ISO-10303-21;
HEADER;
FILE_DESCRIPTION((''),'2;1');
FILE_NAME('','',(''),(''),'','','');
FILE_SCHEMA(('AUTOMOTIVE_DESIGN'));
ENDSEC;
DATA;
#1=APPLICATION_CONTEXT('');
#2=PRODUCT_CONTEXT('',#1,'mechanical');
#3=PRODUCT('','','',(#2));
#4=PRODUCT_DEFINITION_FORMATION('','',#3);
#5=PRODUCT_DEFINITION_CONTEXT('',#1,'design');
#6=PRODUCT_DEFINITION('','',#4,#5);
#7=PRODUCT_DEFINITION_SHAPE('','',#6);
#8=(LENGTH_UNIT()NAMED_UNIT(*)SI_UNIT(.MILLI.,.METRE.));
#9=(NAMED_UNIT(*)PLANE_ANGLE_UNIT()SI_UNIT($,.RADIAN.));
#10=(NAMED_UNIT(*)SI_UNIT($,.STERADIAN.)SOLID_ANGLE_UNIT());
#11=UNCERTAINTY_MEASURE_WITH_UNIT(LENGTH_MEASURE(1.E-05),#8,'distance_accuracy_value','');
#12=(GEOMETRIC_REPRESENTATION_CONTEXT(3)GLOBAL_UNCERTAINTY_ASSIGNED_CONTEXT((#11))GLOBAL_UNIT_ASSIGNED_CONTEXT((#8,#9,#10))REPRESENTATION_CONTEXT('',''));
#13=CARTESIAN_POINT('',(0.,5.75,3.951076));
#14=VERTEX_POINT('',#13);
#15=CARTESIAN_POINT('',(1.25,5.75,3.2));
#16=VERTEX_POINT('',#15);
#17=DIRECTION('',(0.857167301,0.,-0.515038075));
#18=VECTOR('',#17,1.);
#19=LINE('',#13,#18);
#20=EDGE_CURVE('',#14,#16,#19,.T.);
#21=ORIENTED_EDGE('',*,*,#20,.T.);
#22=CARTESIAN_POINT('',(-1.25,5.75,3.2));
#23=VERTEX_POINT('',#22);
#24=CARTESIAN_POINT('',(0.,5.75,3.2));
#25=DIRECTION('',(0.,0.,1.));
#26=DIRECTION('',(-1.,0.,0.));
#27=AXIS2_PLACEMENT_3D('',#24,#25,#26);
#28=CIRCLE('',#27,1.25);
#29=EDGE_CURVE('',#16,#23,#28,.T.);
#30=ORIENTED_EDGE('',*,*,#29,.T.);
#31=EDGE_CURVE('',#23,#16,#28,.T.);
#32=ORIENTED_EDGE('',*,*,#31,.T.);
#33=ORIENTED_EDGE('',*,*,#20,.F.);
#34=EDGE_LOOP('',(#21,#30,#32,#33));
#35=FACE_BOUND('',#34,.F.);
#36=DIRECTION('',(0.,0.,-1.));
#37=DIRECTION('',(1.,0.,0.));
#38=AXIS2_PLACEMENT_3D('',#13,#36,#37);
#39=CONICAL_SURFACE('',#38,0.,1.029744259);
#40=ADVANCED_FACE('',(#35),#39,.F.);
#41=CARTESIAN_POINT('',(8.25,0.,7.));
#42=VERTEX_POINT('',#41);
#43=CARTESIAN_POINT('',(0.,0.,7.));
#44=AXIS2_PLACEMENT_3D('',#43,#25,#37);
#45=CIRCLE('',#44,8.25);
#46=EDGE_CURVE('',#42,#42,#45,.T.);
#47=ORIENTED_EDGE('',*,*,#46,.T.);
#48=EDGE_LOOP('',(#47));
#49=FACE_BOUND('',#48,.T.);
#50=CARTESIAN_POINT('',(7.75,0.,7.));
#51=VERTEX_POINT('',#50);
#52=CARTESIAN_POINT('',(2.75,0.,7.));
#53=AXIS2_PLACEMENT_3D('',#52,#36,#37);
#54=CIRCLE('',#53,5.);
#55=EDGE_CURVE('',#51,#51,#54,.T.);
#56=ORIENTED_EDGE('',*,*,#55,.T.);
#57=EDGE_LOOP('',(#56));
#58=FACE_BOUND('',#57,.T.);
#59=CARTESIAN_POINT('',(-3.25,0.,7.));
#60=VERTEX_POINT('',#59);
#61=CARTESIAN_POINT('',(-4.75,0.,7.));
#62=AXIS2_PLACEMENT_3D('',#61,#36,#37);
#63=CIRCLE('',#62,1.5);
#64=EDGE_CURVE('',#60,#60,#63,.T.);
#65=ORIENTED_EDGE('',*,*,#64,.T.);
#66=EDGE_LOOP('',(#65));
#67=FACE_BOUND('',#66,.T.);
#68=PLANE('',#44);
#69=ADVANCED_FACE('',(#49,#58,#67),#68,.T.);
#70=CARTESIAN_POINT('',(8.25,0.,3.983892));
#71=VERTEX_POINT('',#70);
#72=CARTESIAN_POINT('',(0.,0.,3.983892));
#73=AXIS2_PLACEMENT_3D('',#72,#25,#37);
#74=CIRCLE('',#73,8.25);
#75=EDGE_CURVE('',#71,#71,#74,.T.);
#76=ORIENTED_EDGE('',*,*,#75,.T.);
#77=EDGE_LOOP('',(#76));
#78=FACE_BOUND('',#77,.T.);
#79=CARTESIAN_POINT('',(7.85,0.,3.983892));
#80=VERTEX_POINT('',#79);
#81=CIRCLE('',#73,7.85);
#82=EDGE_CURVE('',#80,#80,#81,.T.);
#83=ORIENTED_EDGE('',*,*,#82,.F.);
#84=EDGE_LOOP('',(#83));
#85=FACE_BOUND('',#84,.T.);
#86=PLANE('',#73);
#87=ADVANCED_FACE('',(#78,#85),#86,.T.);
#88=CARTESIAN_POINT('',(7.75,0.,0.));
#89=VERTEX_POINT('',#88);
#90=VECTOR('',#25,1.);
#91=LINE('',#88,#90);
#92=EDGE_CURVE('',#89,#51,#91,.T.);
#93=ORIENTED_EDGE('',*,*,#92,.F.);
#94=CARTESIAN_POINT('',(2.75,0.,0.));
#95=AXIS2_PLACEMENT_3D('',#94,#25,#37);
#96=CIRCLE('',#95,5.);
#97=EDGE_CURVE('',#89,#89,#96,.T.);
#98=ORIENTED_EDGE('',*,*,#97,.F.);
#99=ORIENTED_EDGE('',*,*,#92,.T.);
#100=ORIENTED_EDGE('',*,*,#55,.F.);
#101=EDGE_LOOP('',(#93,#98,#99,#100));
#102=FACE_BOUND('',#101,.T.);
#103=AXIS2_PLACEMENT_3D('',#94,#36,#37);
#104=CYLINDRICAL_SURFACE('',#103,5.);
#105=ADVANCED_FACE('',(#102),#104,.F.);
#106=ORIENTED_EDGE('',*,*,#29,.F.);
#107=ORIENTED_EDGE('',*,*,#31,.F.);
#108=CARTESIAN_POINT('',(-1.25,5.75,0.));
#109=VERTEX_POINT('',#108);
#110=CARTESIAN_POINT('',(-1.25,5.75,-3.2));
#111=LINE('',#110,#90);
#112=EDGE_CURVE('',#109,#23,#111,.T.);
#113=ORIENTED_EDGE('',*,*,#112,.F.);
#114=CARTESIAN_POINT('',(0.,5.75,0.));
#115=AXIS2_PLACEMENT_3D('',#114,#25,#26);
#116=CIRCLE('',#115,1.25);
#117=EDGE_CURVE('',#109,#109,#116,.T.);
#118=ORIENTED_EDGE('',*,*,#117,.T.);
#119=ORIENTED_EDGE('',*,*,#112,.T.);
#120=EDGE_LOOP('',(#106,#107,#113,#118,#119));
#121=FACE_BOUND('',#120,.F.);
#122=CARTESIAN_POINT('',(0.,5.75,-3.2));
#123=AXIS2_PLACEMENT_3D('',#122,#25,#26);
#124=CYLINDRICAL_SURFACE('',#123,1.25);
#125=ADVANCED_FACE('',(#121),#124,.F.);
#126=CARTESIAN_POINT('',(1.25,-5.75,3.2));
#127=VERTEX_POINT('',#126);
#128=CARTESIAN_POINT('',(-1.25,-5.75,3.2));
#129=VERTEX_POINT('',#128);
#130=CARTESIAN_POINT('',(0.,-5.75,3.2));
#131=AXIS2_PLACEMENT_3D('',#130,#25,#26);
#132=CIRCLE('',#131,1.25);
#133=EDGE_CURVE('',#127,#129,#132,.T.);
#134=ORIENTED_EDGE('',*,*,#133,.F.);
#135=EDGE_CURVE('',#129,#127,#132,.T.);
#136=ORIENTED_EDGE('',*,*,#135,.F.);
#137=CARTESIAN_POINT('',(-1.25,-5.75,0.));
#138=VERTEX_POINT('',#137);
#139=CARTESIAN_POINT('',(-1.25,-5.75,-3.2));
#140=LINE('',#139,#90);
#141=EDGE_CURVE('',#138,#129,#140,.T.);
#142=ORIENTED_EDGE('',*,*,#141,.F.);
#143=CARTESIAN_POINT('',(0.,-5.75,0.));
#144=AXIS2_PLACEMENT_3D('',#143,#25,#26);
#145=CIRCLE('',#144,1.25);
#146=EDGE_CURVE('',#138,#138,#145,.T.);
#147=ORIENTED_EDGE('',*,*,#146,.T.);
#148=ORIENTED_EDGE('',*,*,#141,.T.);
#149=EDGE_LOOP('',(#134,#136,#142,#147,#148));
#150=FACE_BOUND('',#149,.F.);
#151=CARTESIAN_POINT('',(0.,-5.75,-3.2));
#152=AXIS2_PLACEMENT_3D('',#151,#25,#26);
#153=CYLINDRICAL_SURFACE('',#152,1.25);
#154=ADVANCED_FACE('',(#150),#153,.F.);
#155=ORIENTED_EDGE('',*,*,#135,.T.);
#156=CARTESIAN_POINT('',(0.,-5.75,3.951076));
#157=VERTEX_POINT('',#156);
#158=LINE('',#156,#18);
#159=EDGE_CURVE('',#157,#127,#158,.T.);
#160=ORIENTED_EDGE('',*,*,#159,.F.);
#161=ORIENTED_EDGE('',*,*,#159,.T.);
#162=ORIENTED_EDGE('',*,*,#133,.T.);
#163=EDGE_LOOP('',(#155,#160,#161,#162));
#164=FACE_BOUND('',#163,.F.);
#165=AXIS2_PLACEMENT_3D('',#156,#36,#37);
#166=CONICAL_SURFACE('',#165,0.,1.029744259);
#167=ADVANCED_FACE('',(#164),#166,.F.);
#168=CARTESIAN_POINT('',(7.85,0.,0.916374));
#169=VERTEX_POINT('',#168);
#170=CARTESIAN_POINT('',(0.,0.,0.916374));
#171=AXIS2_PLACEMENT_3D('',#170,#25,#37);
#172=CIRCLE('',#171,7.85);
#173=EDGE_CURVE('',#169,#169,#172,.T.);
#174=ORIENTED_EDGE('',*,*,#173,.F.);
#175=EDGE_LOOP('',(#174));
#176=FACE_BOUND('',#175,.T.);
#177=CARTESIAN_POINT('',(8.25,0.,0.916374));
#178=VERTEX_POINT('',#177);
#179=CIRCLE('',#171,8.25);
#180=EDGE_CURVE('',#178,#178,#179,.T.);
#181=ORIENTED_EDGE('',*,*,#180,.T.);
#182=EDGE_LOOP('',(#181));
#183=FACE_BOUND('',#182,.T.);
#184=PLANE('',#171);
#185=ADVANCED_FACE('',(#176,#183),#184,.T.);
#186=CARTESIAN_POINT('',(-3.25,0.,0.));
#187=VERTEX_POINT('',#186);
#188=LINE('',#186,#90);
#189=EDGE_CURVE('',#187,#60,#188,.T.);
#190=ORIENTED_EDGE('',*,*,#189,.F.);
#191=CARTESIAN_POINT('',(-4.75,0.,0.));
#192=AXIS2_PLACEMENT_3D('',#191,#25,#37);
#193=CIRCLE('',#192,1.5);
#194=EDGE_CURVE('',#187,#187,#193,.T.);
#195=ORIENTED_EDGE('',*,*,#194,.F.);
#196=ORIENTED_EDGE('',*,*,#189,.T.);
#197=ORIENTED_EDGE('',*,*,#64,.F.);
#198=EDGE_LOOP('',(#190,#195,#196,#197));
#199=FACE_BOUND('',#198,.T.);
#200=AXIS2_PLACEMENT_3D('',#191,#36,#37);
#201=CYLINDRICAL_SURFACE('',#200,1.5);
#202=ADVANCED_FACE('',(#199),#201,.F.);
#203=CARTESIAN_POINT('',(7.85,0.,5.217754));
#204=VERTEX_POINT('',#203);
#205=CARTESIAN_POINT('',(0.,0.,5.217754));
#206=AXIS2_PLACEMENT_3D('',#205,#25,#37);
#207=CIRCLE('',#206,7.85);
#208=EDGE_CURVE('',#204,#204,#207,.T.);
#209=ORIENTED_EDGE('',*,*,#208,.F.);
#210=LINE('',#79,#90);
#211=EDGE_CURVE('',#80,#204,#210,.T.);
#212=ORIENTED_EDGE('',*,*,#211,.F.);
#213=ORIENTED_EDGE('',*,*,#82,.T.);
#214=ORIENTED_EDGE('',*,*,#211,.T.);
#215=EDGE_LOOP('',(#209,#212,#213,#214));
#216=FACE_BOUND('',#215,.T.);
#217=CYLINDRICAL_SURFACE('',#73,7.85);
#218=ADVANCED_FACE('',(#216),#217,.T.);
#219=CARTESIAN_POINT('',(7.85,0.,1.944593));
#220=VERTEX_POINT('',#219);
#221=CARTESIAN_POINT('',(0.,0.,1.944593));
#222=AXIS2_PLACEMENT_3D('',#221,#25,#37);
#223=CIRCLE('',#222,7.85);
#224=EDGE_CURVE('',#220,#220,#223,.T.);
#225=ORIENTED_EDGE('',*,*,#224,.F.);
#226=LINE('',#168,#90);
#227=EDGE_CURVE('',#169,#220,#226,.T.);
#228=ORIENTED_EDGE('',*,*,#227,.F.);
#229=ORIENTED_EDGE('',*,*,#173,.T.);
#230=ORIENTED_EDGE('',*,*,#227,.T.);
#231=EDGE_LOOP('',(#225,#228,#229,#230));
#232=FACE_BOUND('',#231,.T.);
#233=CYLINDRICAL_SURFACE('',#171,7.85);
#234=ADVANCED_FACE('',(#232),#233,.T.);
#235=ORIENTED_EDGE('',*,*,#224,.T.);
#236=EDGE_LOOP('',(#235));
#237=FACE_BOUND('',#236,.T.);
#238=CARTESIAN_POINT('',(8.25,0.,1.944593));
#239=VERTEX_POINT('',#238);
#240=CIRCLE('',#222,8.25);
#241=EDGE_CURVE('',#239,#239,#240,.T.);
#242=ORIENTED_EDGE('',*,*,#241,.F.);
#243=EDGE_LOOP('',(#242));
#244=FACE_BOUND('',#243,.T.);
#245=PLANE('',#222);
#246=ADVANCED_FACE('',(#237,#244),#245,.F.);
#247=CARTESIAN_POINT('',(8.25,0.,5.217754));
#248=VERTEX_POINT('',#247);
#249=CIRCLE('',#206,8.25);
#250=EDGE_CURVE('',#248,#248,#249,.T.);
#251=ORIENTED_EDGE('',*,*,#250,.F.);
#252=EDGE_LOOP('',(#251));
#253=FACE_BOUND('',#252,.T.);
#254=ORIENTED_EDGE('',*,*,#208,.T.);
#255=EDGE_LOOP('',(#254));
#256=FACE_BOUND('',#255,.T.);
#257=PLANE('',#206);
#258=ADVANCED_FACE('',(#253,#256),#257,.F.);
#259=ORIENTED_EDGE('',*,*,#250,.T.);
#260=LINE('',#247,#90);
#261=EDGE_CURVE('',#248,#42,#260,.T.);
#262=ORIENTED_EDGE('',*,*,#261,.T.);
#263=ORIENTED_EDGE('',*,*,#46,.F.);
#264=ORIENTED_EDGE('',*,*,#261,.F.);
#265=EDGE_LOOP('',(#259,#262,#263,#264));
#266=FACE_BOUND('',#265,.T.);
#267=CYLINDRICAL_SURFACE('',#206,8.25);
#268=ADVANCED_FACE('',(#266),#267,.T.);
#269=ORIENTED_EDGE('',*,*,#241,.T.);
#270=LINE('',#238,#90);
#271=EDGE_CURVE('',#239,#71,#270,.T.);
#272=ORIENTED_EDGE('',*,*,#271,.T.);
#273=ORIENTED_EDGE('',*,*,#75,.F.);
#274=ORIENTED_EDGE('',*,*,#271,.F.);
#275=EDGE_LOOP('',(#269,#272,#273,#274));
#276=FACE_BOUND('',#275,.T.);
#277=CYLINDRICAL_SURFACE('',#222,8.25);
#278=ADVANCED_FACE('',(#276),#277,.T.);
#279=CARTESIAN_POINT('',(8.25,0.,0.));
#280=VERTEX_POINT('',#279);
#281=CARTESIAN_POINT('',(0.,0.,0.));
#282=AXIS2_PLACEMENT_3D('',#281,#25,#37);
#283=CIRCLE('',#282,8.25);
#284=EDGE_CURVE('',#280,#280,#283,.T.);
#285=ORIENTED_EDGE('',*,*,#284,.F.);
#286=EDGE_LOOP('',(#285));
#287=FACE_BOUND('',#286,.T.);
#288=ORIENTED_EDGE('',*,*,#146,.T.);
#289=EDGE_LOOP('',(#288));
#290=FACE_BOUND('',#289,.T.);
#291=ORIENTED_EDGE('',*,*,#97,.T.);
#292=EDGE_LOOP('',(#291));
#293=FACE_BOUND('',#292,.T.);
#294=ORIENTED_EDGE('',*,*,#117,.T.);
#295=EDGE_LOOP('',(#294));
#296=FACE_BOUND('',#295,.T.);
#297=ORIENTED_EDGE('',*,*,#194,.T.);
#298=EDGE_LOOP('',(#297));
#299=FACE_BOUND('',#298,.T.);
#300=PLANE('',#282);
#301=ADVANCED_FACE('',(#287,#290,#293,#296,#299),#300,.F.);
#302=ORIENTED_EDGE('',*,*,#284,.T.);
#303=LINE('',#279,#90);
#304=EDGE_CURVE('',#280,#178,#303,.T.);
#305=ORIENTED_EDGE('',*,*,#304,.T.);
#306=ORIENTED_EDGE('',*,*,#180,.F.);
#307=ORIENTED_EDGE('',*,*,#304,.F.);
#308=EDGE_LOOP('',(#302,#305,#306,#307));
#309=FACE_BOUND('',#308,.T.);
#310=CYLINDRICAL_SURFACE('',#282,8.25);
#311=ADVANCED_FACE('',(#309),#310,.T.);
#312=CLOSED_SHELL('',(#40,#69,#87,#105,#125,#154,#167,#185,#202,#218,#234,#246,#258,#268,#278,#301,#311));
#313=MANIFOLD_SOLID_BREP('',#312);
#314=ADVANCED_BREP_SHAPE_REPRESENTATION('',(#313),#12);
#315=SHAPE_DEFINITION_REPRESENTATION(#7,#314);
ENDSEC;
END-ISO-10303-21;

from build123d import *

# Parameters (mm, degrees)
F2_R     = 5
F2_R_2   = 1.5
F3_DEPTH = 7.001
F4_D     = 2.5
F4_DEPTH = 3.2
F4_TIP   = 0.7510757738
F2_R_3   = 1.2
F5_DEPTH = 3.2


with BuildPart() as f1:
    # F0 (on Front) → F1 (revolve)
    with BuildSketch(Plane.XZ):
        Polygon((8.25, 7), (0, 7), (0, 0), (8.25, 0), (8.25, 0.9163741209), (7.85, 0.9163741209), (7.85, 1.9445925065), (8.25, 1.9445925065), (8.25, 3.9838924357), (7.85, 3.9838924357), (7.85, 5.2177544985), (8.25, 5.2177544985), align=None)
    revolve(axis=Axis((0, 0, 3.5), (0, 0, 1)))

    # F2 (on Top) → F3 (cut, through all)
    with BuildSketch(Plane.XY):
        with Locations((2.75, 0)):
            Circle(F2_R)
        with Locations((-4.75, 0)):
            Circle(F2_R_2)
    extrude(amount=F3_DEPTH, mode=Mode.SUBTRACT)

    # F4
    with Locations(Plane(origin=(0, 0, 0), x_dir=(1, 0, 0), z_dir=(0, 0, -1))):
        with Locations((0, 5.75), (0, -5.75)):
            Hole(F4_D / 2, depth=F4_DEPTH)
            with Locations((0, 0, -(F4_DEPTH + F4_TIP / 2))):  # 118° drill point
                Cone(0, F4_D / 2, F4_TIP, mode=Mode.SUBTRACT)

    # F2 (on Top) → F5 (cut)
    with BuildSketch(Plane.XY):
        with Locations((0, 5.75)):
            Circle(F2_R_3)
        with Locations((0, -5.75)):
            Circle(F2_R_3)
    extrude(amount=F5_DEPTH, mode=Mode.SUBTRACT)


solid = f1.part
